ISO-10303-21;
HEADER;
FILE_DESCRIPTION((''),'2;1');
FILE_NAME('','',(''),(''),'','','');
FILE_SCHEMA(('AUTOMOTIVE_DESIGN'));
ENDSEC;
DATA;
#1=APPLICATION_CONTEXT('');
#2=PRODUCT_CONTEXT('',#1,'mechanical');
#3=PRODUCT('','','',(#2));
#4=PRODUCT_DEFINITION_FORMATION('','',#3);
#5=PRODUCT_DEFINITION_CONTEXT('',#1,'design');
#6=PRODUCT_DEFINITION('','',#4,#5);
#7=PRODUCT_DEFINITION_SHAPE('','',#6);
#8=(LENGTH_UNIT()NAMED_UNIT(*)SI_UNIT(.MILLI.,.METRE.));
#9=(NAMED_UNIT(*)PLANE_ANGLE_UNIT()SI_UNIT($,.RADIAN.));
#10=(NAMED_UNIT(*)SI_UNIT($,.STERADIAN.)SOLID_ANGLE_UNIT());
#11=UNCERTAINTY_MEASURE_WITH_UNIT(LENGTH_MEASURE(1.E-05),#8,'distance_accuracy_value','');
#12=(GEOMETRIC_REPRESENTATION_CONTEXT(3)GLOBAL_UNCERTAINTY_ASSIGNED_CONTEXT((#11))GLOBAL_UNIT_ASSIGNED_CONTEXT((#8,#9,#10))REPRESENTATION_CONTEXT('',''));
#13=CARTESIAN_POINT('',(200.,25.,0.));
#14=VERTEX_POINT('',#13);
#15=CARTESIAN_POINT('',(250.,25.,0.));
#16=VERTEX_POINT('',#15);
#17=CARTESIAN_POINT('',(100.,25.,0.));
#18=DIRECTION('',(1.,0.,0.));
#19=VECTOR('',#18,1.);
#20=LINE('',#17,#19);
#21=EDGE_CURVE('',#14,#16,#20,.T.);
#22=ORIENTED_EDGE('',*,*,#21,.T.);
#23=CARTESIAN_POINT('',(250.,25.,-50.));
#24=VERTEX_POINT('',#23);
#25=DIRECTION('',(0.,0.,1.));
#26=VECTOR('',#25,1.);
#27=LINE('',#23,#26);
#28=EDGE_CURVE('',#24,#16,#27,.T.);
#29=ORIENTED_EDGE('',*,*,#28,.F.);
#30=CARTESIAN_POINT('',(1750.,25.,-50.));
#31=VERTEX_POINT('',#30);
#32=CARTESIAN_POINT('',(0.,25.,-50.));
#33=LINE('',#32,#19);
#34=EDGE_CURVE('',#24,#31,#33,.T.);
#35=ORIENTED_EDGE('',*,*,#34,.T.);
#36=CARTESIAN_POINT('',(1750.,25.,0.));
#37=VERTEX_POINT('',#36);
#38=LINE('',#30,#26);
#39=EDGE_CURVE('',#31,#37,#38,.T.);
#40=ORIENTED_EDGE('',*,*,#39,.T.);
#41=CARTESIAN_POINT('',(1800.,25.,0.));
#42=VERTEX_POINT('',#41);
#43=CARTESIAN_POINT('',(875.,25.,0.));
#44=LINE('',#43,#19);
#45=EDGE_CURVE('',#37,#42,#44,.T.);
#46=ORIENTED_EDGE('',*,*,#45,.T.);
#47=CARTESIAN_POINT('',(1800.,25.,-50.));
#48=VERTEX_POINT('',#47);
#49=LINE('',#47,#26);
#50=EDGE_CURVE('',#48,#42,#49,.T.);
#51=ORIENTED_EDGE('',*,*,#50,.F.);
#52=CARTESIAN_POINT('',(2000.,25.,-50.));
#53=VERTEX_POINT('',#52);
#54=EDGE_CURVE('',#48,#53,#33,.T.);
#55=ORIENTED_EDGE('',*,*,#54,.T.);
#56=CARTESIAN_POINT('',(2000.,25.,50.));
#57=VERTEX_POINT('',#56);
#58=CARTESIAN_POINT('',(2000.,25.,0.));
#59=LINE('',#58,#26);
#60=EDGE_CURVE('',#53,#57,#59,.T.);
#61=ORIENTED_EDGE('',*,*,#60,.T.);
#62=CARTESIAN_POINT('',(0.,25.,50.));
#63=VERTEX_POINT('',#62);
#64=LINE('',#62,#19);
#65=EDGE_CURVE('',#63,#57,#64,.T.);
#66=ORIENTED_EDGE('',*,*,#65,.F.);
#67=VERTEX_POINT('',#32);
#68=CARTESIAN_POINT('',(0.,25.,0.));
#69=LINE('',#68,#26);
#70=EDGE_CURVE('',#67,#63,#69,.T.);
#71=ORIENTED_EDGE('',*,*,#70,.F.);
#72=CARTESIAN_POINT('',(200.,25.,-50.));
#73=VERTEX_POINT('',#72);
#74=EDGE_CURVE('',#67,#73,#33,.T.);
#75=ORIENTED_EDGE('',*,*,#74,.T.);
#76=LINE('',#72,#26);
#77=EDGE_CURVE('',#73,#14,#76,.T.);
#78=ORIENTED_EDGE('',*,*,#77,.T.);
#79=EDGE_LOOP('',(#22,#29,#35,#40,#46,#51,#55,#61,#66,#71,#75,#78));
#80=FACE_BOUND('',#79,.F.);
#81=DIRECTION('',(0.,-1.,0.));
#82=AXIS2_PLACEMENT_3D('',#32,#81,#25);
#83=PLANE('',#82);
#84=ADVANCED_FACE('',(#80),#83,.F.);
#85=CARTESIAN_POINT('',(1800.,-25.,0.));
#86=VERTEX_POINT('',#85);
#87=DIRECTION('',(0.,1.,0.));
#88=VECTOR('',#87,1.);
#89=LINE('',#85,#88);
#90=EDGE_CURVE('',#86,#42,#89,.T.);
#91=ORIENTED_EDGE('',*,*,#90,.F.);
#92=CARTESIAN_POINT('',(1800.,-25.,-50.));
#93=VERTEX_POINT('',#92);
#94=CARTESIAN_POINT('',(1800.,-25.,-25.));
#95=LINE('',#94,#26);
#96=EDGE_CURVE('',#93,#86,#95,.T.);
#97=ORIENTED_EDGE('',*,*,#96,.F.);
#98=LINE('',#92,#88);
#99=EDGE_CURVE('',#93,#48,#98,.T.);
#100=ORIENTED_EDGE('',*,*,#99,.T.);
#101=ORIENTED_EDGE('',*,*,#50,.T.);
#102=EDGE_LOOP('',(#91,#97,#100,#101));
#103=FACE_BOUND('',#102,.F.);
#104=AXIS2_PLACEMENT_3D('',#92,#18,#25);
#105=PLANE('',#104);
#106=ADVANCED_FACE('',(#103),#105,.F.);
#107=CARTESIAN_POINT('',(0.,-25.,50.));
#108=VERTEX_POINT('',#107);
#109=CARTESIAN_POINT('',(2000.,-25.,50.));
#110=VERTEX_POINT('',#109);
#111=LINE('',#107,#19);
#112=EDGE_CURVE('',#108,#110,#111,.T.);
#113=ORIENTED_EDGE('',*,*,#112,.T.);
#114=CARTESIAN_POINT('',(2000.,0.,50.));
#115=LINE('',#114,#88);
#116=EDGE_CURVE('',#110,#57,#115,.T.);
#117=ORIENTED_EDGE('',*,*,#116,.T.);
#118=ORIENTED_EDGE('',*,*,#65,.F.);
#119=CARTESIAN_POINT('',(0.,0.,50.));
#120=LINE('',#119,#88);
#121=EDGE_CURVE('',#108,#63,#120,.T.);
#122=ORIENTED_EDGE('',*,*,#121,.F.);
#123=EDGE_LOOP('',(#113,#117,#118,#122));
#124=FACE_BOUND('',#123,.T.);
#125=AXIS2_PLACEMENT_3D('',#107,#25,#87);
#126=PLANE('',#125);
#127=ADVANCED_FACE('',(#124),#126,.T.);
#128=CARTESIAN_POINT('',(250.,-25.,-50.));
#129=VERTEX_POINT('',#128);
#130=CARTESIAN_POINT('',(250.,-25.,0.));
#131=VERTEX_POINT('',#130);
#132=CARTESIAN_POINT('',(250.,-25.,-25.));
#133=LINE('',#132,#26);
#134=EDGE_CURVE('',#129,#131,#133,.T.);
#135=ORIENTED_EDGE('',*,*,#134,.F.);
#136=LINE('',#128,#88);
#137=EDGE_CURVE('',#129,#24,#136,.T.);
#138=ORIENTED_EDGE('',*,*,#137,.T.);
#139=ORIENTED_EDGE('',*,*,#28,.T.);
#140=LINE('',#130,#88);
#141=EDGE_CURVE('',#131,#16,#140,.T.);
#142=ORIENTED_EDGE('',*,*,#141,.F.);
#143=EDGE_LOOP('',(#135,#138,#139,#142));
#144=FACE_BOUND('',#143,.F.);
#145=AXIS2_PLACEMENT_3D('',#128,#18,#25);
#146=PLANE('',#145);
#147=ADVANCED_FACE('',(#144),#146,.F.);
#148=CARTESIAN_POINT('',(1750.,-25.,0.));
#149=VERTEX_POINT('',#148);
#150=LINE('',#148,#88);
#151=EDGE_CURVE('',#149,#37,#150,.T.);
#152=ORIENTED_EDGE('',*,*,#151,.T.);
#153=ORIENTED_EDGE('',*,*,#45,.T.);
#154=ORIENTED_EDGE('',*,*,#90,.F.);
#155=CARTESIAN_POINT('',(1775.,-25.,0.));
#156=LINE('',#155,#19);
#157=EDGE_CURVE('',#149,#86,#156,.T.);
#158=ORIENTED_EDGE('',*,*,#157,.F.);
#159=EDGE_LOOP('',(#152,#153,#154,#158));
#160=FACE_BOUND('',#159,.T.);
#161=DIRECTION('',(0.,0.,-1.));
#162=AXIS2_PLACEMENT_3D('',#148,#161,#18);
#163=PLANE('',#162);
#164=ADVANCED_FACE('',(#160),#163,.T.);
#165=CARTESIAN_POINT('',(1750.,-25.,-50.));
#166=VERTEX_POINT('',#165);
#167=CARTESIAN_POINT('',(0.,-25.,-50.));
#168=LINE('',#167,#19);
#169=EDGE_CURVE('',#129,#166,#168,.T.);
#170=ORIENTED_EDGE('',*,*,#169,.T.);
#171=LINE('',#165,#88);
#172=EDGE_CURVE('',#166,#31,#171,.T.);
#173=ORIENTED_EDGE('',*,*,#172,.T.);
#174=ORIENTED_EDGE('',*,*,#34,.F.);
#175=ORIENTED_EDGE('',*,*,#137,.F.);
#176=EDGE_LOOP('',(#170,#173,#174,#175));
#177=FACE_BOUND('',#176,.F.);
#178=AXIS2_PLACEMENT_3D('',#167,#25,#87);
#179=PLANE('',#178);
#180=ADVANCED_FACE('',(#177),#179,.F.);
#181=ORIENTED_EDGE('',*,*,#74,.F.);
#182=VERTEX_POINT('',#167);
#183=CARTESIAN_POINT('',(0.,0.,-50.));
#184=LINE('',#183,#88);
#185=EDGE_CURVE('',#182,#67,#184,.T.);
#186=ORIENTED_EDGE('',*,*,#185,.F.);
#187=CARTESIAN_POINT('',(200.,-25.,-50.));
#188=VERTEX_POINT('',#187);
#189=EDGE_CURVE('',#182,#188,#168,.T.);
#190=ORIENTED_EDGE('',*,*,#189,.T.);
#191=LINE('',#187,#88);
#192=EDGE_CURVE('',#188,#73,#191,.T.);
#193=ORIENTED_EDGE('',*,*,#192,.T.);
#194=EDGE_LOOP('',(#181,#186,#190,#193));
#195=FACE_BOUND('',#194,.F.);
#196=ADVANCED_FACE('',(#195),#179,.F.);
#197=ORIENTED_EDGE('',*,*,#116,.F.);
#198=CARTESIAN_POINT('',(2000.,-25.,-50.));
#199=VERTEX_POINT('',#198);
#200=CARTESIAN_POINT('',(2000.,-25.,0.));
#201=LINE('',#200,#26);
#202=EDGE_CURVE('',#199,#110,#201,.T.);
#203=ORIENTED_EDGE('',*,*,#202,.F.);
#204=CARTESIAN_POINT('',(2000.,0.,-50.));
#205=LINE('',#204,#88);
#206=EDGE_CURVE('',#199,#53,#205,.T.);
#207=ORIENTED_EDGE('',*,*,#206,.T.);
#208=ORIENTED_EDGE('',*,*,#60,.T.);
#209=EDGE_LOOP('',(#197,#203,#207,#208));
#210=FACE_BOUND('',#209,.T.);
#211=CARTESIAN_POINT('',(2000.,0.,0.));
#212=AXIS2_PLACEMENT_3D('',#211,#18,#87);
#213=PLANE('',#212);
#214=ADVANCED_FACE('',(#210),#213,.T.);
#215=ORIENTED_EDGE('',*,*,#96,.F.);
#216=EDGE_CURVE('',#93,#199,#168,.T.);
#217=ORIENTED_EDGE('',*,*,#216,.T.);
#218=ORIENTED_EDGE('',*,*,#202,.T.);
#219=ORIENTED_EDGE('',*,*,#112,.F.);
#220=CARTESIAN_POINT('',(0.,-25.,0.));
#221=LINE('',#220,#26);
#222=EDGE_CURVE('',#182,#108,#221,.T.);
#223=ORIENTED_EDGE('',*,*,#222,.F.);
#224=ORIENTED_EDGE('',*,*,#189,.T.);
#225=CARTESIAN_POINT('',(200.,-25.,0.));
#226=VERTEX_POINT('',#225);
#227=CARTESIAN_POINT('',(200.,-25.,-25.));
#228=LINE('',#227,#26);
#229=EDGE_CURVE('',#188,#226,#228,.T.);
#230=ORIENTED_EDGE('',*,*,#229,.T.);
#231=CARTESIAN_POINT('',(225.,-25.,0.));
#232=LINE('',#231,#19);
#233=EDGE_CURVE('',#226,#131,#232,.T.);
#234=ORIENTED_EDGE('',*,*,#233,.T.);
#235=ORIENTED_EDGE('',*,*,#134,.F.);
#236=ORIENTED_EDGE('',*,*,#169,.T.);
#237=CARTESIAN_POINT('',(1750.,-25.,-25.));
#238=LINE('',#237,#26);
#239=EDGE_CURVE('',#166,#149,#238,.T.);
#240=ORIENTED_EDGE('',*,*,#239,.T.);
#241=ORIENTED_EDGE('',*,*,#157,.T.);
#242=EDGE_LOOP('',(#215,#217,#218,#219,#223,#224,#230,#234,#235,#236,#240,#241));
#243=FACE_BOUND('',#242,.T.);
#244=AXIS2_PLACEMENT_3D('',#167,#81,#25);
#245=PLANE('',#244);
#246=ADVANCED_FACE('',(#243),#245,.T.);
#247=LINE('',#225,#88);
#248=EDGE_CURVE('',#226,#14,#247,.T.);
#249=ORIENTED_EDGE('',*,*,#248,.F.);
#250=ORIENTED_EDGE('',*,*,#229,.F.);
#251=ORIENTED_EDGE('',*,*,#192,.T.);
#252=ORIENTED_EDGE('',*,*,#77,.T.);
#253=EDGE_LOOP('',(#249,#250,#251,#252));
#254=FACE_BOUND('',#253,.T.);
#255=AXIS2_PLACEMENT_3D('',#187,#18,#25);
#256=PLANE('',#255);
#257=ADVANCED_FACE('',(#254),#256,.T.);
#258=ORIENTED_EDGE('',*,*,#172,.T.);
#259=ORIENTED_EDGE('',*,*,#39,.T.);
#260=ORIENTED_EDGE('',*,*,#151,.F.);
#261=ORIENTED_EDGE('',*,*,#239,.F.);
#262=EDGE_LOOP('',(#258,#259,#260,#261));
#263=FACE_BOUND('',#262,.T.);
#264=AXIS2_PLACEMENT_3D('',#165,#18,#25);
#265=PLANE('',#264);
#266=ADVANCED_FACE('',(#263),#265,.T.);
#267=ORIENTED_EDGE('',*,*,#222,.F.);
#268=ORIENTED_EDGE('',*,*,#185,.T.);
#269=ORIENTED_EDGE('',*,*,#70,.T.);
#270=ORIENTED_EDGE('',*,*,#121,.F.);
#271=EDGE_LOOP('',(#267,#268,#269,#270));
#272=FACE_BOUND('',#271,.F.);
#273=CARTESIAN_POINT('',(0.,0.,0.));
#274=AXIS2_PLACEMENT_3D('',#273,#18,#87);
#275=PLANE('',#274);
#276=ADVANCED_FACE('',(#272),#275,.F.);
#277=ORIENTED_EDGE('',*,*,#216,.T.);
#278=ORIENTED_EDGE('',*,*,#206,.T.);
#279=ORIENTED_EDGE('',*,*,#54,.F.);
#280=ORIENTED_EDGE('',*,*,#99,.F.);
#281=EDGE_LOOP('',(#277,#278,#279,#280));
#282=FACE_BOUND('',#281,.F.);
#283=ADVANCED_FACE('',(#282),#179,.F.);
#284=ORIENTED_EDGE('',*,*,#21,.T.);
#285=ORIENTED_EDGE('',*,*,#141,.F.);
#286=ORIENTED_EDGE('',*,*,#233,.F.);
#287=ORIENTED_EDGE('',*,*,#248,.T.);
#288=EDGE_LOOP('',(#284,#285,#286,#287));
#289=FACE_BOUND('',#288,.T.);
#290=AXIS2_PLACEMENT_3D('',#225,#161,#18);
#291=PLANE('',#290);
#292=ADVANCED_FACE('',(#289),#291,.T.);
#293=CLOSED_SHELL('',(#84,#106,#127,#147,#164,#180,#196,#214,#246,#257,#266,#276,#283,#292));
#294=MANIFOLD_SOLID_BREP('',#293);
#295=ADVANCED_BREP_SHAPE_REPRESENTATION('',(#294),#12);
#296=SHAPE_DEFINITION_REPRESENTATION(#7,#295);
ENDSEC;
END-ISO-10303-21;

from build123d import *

# Parameters (mm, degrees)
F0_W     = 50
F0_H     = 100
F1_DEPTH = 2000
F3_ANGLE = -90
F8_W     = 50
F8_H     = 50
F9_DEPTH = 50.001


with BuildPart() as f1:
    # F0 (on Right) → F1 (new body)
    with BuildSketch(Plane.YZ):
        Rectangle(F0_W, F0_H)
    extrude(amount=F1_DEPTH)

    # F8 (on face) → F9 (cut, through all)
    with BuildSketch(Plane.XZ.offset(25)):
        with Locations((225, -25)):
            Rectangle(F8_W, F8_H)
        with Locations((1775, -25)):
            Rectangle(F8_W, F8_H)
    extrude(amount=-F9_DEPTH, mode=Mode.SUBTRACT)


with BuildPart() as f2_1:
    # F2: copy of F1
    add(f1.part.moved(Location((0, 2000, 0))))


with BuildPart() as f3_1:
    # F3: copy of F1
    add(f1.part.rotate(Axis((0, -25, 0), (0, 0, 1)), F3_ANGLE))


with BuildPart() as f5_1:
    # F5: copy of F1
    add(f1.part)


solid = f1.part
